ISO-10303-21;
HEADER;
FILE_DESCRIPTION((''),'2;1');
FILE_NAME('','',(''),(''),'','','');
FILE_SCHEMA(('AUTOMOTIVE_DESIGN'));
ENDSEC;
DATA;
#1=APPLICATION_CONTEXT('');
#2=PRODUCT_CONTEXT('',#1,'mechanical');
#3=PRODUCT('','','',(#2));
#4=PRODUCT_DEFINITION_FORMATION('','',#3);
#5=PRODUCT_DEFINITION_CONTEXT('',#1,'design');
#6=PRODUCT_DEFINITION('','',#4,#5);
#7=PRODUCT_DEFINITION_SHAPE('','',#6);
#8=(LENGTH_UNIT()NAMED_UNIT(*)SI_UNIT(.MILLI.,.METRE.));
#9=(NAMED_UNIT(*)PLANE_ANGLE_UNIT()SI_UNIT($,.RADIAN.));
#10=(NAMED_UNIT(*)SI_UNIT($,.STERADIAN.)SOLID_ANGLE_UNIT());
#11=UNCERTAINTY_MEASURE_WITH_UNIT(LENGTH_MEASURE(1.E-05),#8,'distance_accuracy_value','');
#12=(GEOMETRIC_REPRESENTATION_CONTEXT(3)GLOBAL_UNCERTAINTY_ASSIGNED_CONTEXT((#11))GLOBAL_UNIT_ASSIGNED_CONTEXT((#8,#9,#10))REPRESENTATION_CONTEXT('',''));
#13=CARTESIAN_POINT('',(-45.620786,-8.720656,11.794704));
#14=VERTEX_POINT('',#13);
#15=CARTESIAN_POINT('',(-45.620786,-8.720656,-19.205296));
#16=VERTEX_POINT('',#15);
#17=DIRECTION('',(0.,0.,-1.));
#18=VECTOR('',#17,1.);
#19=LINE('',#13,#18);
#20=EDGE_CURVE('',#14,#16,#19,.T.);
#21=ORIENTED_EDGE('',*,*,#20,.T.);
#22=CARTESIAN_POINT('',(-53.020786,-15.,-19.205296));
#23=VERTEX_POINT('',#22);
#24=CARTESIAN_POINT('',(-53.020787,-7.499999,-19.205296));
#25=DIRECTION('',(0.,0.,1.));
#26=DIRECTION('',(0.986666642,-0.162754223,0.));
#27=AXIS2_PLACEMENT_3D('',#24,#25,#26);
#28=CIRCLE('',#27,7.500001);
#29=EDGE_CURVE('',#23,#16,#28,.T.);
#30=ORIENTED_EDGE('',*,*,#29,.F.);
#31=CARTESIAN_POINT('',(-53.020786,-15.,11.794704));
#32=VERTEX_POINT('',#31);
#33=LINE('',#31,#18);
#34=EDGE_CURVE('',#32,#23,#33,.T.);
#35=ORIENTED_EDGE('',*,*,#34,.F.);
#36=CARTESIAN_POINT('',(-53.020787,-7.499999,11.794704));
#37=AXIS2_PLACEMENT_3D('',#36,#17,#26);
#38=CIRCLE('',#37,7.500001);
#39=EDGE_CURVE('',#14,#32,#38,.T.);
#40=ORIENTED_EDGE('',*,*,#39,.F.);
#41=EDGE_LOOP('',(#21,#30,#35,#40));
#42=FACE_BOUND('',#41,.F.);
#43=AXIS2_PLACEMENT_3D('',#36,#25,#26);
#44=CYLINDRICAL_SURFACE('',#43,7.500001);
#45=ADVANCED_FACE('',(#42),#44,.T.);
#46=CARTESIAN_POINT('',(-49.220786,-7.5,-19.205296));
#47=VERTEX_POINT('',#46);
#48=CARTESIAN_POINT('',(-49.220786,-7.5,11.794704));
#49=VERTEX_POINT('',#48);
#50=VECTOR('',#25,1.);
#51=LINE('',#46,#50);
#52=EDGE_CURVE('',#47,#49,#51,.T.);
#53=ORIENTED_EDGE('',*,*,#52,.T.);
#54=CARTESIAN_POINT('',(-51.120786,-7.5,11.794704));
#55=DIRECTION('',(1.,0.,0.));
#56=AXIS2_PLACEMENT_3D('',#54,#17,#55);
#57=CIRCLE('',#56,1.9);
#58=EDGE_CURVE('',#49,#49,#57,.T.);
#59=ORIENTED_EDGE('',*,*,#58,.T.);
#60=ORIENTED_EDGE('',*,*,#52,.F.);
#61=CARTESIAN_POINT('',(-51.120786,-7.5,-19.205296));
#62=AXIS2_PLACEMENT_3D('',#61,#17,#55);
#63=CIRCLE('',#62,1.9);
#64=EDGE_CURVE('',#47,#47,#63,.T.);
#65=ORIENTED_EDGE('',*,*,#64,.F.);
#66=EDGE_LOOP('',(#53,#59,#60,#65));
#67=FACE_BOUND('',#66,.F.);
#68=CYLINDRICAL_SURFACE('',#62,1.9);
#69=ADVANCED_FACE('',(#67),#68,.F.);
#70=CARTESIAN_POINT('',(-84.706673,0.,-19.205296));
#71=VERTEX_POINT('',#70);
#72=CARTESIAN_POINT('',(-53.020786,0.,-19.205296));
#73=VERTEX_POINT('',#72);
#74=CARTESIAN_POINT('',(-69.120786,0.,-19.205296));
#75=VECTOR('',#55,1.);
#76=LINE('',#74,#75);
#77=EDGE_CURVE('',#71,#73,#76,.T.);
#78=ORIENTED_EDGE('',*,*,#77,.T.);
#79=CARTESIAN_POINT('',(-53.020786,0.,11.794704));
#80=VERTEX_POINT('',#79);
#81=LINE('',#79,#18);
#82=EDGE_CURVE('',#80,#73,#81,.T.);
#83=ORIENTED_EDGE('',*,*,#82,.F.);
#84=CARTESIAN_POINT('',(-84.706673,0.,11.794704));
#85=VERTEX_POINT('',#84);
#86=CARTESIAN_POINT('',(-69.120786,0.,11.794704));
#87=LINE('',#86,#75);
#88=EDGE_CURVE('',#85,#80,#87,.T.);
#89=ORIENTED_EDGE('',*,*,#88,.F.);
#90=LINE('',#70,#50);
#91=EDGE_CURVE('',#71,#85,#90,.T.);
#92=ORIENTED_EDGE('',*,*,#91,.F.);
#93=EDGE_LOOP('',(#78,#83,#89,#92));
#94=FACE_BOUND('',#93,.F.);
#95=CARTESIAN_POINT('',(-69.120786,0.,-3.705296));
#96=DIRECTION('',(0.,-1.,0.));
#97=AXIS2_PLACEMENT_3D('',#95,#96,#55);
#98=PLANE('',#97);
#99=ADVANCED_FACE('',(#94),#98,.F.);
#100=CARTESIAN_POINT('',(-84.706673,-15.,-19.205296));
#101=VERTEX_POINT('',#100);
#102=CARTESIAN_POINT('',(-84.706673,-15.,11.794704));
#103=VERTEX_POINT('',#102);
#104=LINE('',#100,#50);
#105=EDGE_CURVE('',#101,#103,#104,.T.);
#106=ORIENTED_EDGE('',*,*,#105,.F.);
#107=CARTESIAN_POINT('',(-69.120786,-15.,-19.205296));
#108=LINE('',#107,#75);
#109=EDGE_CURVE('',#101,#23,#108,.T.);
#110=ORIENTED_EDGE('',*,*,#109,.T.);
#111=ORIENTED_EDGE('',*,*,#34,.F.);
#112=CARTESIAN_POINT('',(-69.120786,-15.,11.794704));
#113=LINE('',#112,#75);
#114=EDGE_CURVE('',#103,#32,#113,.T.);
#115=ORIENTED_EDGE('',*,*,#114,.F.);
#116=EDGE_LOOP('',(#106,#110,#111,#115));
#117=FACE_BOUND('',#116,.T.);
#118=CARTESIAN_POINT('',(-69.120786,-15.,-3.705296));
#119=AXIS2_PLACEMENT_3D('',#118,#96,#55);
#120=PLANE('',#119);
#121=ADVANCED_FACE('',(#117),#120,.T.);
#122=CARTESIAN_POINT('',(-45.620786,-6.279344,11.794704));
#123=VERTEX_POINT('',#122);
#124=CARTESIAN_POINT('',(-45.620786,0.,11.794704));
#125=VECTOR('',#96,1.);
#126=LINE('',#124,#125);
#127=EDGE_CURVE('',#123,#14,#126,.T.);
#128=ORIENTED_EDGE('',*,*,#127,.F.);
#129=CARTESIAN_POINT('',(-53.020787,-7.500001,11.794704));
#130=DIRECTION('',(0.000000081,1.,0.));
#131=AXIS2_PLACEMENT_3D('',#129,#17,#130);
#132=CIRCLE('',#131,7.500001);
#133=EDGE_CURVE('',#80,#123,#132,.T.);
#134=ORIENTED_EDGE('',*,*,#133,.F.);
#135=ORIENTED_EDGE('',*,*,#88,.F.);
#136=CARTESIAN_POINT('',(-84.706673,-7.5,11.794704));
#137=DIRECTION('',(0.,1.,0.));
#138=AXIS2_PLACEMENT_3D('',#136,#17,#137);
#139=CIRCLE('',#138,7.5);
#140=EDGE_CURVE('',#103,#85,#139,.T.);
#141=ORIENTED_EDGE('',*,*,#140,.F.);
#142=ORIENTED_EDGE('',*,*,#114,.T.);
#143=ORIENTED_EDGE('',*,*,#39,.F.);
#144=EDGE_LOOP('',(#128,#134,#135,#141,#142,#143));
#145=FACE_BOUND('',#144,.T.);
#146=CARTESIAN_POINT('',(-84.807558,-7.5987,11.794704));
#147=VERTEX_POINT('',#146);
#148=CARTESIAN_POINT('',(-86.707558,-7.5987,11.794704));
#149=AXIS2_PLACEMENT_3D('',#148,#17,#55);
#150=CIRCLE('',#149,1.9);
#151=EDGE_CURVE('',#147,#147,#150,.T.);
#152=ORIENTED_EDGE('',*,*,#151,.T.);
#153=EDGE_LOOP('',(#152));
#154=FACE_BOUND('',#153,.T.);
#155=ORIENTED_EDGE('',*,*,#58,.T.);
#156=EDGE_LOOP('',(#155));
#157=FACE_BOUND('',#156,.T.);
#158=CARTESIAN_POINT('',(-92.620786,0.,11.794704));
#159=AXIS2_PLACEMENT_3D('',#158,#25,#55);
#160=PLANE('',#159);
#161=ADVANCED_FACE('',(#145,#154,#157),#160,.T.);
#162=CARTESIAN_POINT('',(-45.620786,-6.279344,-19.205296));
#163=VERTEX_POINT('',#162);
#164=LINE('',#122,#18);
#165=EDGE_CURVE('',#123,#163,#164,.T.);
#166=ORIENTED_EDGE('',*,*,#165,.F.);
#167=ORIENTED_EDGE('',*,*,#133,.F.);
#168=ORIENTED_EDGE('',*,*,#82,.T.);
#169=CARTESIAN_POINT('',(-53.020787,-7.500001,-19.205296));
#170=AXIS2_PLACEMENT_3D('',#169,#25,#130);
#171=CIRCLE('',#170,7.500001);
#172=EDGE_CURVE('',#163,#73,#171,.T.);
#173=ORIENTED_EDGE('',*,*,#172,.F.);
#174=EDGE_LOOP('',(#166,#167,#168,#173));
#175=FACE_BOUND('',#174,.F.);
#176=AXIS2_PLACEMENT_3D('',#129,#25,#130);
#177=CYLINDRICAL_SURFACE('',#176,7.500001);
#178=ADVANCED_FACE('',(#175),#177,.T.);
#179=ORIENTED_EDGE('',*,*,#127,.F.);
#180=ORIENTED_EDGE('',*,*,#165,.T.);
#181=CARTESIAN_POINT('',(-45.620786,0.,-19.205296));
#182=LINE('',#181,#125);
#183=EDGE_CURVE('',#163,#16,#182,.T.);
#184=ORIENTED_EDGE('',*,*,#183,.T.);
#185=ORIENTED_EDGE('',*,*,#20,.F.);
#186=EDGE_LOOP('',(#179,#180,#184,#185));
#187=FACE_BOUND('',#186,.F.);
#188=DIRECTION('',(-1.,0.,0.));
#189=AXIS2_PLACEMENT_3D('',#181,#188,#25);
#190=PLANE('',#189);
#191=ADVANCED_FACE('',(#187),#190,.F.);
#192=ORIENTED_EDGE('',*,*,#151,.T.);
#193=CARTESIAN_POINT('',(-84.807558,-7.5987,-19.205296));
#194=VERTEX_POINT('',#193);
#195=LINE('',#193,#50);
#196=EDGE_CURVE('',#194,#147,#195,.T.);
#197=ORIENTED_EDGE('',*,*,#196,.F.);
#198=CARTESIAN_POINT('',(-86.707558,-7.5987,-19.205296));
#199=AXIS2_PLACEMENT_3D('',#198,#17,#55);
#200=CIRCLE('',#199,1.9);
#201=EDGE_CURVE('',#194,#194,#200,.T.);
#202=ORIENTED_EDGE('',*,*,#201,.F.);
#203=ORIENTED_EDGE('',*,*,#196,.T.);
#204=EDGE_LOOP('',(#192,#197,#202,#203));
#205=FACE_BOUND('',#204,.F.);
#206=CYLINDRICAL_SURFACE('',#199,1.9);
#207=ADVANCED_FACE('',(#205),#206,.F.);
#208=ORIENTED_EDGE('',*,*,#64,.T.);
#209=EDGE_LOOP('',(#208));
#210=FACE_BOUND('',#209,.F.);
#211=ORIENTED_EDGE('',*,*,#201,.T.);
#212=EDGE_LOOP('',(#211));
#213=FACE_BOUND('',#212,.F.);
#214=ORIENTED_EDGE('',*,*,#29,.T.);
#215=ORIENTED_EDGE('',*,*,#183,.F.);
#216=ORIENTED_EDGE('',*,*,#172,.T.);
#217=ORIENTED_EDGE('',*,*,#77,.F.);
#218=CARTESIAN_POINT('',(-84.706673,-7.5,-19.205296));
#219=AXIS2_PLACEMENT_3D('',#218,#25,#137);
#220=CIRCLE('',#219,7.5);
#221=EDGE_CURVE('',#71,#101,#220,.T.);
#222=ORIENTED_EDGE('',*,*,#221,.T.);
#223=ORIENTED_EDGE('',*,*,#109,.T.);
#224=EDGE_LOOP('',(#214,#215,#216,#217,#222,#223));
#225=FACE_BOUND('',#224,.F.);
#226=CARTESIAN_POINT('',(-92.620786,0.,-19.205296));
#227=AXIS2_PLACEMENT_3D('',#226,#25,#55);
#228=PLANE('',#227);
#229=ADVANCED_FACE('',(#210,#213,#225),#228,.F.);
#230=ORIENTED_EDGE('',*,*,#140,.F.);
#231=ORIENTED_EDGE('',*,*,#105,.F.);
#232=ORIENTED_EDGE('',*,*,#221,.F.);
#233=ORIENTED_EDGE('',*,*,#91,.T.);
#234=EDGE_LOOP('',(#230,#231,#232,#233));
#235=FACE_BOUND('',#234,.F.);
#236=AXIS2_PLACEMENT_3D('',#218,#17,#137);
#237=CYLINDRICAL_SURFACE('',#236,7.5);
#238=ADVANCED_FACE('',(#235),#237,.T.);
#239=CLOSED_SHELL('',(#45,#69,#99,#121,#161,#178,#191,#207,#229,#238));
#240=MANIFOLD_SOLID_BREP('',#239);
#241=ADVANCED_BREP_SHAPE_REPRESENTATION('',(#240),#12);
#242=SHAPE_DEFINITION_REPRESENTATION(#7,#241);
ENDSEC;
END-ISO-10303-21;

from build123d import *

# Parameters (mm, degrees)
F0_W      = 47
F0_H      = 31
F1_DEPTH  = 15
F2_R      = 1.9
F3_DEPTH  = 60
F5_DEPTH  = 70
F6_R      = 1.9
F7_DEPTH  = 80
F9_DEPTH  = 70
F11_DEPTH = 70


with BuildPart() as f1:
    # F0 (on Front) → F1 (new body)
    with BuildSketch(Plane.XZ):
        with Locations((-69.120786, -3.705296)):
            Rectangle(F0_W, F0_H)
    extrude(amount=F1_DEPTH)

    # F2 (on face) → F3 (cut)
    with BuildSketch(Plane(origin=(0, 0, -19.205296), x_dir=(1, 0, 0), z_dir=(0, 0, -1))):
        with Locations((-51.120786, 7.5)):
            Circle(F2_R)
    extrude(amount=-F3_DEPTH, mode=Mode.SUBTRACT)

    # F4 (on face) → F5 (cut)
    with BuildSketch(Plane(origin=(0, 0, -19.205296), x_dir=(1, 0, 0), z_dir=(0, 0, -1))):
        with BuildLine():
            ThreePointArc((-84.706673, 0), (-92.206673, 7.5), (-84.706673, 15))
            Line((-84.706673, 15), (-92.620786, 15))
            Line((-92.620786, 15), (-92.620786, 0))
            Line((-92.620786, 0), (-84.706673, 0))
        make_face()
    extrude(amount=-F5_DEPTH, mode=Mode.SUBTRACT)

    # F6 (on face) → F7 (cut)
    with BuildSketch(Plane(origin=(0, 0, -19.205296), x_dir=(1, 0, 0), z_dir=(0, 0, -1))):
        with Locations((-86.707558, 7.5987)):
            Circle(F6_R)
    extrude(amount=-F7_DEPTH, mode=Mode.SUBTRACT)

    # F8 (on face) → F9 (cut)
    with BuildSketch(Plane(origin=(0, 0, -19.205296), x_dir=(1, 0, 0), z_dir=(0, 0, -1))):
        with BuildLine():
            Line((-45.620786, 0), (19.677406, 0))
            ThreePointArc((19.677406, 0), (27.177406, 7.5), (19.677406, 15))
            Line((19.677406, 15), (-45.620786, 15))
            Line((-45.620786, 15), (-45.620786, 0))
        make_face()
    extrude(amount=-F9_DEPTH, mode=Mode.SUBTRACT)

    # F10 (on face) → F11 (cut)
    with BuildSketch(Plane.XY.offset(11.794704)):
        with BuildLine():
            ThreePointArc((-53.020786, 0), (-48.168205, -1.781394), (-45.620786, -6.279344))
            Line((-45.620786, -6.279344), (-45.620786, 0))
            Line((-45.620786, 0), (-53.020786, 0))
        make_face()
        with BuildLine():
            Line((-45.620786, -6.279344), (-45.620786, -8.720656))
            ThreePointArc((-45.620786, -8.720656), (-45.520786, -7.5), (-45.620786, -6.279344))
        make_face()
        with BuildLine():
            ThreePointArc((-45.620786, -8.720656), (-48.168205, -13.218606), (-53.020786, -15))
            Line((-53.020786, -15), (-45.620786, -15))
            Line((-45.620786, -15), (-45.620786, -8.720656))
        make_face()
    extrude(amount=-F11_DEPTH, mode=Mode.SUBTRACT)


solid = f1.part
